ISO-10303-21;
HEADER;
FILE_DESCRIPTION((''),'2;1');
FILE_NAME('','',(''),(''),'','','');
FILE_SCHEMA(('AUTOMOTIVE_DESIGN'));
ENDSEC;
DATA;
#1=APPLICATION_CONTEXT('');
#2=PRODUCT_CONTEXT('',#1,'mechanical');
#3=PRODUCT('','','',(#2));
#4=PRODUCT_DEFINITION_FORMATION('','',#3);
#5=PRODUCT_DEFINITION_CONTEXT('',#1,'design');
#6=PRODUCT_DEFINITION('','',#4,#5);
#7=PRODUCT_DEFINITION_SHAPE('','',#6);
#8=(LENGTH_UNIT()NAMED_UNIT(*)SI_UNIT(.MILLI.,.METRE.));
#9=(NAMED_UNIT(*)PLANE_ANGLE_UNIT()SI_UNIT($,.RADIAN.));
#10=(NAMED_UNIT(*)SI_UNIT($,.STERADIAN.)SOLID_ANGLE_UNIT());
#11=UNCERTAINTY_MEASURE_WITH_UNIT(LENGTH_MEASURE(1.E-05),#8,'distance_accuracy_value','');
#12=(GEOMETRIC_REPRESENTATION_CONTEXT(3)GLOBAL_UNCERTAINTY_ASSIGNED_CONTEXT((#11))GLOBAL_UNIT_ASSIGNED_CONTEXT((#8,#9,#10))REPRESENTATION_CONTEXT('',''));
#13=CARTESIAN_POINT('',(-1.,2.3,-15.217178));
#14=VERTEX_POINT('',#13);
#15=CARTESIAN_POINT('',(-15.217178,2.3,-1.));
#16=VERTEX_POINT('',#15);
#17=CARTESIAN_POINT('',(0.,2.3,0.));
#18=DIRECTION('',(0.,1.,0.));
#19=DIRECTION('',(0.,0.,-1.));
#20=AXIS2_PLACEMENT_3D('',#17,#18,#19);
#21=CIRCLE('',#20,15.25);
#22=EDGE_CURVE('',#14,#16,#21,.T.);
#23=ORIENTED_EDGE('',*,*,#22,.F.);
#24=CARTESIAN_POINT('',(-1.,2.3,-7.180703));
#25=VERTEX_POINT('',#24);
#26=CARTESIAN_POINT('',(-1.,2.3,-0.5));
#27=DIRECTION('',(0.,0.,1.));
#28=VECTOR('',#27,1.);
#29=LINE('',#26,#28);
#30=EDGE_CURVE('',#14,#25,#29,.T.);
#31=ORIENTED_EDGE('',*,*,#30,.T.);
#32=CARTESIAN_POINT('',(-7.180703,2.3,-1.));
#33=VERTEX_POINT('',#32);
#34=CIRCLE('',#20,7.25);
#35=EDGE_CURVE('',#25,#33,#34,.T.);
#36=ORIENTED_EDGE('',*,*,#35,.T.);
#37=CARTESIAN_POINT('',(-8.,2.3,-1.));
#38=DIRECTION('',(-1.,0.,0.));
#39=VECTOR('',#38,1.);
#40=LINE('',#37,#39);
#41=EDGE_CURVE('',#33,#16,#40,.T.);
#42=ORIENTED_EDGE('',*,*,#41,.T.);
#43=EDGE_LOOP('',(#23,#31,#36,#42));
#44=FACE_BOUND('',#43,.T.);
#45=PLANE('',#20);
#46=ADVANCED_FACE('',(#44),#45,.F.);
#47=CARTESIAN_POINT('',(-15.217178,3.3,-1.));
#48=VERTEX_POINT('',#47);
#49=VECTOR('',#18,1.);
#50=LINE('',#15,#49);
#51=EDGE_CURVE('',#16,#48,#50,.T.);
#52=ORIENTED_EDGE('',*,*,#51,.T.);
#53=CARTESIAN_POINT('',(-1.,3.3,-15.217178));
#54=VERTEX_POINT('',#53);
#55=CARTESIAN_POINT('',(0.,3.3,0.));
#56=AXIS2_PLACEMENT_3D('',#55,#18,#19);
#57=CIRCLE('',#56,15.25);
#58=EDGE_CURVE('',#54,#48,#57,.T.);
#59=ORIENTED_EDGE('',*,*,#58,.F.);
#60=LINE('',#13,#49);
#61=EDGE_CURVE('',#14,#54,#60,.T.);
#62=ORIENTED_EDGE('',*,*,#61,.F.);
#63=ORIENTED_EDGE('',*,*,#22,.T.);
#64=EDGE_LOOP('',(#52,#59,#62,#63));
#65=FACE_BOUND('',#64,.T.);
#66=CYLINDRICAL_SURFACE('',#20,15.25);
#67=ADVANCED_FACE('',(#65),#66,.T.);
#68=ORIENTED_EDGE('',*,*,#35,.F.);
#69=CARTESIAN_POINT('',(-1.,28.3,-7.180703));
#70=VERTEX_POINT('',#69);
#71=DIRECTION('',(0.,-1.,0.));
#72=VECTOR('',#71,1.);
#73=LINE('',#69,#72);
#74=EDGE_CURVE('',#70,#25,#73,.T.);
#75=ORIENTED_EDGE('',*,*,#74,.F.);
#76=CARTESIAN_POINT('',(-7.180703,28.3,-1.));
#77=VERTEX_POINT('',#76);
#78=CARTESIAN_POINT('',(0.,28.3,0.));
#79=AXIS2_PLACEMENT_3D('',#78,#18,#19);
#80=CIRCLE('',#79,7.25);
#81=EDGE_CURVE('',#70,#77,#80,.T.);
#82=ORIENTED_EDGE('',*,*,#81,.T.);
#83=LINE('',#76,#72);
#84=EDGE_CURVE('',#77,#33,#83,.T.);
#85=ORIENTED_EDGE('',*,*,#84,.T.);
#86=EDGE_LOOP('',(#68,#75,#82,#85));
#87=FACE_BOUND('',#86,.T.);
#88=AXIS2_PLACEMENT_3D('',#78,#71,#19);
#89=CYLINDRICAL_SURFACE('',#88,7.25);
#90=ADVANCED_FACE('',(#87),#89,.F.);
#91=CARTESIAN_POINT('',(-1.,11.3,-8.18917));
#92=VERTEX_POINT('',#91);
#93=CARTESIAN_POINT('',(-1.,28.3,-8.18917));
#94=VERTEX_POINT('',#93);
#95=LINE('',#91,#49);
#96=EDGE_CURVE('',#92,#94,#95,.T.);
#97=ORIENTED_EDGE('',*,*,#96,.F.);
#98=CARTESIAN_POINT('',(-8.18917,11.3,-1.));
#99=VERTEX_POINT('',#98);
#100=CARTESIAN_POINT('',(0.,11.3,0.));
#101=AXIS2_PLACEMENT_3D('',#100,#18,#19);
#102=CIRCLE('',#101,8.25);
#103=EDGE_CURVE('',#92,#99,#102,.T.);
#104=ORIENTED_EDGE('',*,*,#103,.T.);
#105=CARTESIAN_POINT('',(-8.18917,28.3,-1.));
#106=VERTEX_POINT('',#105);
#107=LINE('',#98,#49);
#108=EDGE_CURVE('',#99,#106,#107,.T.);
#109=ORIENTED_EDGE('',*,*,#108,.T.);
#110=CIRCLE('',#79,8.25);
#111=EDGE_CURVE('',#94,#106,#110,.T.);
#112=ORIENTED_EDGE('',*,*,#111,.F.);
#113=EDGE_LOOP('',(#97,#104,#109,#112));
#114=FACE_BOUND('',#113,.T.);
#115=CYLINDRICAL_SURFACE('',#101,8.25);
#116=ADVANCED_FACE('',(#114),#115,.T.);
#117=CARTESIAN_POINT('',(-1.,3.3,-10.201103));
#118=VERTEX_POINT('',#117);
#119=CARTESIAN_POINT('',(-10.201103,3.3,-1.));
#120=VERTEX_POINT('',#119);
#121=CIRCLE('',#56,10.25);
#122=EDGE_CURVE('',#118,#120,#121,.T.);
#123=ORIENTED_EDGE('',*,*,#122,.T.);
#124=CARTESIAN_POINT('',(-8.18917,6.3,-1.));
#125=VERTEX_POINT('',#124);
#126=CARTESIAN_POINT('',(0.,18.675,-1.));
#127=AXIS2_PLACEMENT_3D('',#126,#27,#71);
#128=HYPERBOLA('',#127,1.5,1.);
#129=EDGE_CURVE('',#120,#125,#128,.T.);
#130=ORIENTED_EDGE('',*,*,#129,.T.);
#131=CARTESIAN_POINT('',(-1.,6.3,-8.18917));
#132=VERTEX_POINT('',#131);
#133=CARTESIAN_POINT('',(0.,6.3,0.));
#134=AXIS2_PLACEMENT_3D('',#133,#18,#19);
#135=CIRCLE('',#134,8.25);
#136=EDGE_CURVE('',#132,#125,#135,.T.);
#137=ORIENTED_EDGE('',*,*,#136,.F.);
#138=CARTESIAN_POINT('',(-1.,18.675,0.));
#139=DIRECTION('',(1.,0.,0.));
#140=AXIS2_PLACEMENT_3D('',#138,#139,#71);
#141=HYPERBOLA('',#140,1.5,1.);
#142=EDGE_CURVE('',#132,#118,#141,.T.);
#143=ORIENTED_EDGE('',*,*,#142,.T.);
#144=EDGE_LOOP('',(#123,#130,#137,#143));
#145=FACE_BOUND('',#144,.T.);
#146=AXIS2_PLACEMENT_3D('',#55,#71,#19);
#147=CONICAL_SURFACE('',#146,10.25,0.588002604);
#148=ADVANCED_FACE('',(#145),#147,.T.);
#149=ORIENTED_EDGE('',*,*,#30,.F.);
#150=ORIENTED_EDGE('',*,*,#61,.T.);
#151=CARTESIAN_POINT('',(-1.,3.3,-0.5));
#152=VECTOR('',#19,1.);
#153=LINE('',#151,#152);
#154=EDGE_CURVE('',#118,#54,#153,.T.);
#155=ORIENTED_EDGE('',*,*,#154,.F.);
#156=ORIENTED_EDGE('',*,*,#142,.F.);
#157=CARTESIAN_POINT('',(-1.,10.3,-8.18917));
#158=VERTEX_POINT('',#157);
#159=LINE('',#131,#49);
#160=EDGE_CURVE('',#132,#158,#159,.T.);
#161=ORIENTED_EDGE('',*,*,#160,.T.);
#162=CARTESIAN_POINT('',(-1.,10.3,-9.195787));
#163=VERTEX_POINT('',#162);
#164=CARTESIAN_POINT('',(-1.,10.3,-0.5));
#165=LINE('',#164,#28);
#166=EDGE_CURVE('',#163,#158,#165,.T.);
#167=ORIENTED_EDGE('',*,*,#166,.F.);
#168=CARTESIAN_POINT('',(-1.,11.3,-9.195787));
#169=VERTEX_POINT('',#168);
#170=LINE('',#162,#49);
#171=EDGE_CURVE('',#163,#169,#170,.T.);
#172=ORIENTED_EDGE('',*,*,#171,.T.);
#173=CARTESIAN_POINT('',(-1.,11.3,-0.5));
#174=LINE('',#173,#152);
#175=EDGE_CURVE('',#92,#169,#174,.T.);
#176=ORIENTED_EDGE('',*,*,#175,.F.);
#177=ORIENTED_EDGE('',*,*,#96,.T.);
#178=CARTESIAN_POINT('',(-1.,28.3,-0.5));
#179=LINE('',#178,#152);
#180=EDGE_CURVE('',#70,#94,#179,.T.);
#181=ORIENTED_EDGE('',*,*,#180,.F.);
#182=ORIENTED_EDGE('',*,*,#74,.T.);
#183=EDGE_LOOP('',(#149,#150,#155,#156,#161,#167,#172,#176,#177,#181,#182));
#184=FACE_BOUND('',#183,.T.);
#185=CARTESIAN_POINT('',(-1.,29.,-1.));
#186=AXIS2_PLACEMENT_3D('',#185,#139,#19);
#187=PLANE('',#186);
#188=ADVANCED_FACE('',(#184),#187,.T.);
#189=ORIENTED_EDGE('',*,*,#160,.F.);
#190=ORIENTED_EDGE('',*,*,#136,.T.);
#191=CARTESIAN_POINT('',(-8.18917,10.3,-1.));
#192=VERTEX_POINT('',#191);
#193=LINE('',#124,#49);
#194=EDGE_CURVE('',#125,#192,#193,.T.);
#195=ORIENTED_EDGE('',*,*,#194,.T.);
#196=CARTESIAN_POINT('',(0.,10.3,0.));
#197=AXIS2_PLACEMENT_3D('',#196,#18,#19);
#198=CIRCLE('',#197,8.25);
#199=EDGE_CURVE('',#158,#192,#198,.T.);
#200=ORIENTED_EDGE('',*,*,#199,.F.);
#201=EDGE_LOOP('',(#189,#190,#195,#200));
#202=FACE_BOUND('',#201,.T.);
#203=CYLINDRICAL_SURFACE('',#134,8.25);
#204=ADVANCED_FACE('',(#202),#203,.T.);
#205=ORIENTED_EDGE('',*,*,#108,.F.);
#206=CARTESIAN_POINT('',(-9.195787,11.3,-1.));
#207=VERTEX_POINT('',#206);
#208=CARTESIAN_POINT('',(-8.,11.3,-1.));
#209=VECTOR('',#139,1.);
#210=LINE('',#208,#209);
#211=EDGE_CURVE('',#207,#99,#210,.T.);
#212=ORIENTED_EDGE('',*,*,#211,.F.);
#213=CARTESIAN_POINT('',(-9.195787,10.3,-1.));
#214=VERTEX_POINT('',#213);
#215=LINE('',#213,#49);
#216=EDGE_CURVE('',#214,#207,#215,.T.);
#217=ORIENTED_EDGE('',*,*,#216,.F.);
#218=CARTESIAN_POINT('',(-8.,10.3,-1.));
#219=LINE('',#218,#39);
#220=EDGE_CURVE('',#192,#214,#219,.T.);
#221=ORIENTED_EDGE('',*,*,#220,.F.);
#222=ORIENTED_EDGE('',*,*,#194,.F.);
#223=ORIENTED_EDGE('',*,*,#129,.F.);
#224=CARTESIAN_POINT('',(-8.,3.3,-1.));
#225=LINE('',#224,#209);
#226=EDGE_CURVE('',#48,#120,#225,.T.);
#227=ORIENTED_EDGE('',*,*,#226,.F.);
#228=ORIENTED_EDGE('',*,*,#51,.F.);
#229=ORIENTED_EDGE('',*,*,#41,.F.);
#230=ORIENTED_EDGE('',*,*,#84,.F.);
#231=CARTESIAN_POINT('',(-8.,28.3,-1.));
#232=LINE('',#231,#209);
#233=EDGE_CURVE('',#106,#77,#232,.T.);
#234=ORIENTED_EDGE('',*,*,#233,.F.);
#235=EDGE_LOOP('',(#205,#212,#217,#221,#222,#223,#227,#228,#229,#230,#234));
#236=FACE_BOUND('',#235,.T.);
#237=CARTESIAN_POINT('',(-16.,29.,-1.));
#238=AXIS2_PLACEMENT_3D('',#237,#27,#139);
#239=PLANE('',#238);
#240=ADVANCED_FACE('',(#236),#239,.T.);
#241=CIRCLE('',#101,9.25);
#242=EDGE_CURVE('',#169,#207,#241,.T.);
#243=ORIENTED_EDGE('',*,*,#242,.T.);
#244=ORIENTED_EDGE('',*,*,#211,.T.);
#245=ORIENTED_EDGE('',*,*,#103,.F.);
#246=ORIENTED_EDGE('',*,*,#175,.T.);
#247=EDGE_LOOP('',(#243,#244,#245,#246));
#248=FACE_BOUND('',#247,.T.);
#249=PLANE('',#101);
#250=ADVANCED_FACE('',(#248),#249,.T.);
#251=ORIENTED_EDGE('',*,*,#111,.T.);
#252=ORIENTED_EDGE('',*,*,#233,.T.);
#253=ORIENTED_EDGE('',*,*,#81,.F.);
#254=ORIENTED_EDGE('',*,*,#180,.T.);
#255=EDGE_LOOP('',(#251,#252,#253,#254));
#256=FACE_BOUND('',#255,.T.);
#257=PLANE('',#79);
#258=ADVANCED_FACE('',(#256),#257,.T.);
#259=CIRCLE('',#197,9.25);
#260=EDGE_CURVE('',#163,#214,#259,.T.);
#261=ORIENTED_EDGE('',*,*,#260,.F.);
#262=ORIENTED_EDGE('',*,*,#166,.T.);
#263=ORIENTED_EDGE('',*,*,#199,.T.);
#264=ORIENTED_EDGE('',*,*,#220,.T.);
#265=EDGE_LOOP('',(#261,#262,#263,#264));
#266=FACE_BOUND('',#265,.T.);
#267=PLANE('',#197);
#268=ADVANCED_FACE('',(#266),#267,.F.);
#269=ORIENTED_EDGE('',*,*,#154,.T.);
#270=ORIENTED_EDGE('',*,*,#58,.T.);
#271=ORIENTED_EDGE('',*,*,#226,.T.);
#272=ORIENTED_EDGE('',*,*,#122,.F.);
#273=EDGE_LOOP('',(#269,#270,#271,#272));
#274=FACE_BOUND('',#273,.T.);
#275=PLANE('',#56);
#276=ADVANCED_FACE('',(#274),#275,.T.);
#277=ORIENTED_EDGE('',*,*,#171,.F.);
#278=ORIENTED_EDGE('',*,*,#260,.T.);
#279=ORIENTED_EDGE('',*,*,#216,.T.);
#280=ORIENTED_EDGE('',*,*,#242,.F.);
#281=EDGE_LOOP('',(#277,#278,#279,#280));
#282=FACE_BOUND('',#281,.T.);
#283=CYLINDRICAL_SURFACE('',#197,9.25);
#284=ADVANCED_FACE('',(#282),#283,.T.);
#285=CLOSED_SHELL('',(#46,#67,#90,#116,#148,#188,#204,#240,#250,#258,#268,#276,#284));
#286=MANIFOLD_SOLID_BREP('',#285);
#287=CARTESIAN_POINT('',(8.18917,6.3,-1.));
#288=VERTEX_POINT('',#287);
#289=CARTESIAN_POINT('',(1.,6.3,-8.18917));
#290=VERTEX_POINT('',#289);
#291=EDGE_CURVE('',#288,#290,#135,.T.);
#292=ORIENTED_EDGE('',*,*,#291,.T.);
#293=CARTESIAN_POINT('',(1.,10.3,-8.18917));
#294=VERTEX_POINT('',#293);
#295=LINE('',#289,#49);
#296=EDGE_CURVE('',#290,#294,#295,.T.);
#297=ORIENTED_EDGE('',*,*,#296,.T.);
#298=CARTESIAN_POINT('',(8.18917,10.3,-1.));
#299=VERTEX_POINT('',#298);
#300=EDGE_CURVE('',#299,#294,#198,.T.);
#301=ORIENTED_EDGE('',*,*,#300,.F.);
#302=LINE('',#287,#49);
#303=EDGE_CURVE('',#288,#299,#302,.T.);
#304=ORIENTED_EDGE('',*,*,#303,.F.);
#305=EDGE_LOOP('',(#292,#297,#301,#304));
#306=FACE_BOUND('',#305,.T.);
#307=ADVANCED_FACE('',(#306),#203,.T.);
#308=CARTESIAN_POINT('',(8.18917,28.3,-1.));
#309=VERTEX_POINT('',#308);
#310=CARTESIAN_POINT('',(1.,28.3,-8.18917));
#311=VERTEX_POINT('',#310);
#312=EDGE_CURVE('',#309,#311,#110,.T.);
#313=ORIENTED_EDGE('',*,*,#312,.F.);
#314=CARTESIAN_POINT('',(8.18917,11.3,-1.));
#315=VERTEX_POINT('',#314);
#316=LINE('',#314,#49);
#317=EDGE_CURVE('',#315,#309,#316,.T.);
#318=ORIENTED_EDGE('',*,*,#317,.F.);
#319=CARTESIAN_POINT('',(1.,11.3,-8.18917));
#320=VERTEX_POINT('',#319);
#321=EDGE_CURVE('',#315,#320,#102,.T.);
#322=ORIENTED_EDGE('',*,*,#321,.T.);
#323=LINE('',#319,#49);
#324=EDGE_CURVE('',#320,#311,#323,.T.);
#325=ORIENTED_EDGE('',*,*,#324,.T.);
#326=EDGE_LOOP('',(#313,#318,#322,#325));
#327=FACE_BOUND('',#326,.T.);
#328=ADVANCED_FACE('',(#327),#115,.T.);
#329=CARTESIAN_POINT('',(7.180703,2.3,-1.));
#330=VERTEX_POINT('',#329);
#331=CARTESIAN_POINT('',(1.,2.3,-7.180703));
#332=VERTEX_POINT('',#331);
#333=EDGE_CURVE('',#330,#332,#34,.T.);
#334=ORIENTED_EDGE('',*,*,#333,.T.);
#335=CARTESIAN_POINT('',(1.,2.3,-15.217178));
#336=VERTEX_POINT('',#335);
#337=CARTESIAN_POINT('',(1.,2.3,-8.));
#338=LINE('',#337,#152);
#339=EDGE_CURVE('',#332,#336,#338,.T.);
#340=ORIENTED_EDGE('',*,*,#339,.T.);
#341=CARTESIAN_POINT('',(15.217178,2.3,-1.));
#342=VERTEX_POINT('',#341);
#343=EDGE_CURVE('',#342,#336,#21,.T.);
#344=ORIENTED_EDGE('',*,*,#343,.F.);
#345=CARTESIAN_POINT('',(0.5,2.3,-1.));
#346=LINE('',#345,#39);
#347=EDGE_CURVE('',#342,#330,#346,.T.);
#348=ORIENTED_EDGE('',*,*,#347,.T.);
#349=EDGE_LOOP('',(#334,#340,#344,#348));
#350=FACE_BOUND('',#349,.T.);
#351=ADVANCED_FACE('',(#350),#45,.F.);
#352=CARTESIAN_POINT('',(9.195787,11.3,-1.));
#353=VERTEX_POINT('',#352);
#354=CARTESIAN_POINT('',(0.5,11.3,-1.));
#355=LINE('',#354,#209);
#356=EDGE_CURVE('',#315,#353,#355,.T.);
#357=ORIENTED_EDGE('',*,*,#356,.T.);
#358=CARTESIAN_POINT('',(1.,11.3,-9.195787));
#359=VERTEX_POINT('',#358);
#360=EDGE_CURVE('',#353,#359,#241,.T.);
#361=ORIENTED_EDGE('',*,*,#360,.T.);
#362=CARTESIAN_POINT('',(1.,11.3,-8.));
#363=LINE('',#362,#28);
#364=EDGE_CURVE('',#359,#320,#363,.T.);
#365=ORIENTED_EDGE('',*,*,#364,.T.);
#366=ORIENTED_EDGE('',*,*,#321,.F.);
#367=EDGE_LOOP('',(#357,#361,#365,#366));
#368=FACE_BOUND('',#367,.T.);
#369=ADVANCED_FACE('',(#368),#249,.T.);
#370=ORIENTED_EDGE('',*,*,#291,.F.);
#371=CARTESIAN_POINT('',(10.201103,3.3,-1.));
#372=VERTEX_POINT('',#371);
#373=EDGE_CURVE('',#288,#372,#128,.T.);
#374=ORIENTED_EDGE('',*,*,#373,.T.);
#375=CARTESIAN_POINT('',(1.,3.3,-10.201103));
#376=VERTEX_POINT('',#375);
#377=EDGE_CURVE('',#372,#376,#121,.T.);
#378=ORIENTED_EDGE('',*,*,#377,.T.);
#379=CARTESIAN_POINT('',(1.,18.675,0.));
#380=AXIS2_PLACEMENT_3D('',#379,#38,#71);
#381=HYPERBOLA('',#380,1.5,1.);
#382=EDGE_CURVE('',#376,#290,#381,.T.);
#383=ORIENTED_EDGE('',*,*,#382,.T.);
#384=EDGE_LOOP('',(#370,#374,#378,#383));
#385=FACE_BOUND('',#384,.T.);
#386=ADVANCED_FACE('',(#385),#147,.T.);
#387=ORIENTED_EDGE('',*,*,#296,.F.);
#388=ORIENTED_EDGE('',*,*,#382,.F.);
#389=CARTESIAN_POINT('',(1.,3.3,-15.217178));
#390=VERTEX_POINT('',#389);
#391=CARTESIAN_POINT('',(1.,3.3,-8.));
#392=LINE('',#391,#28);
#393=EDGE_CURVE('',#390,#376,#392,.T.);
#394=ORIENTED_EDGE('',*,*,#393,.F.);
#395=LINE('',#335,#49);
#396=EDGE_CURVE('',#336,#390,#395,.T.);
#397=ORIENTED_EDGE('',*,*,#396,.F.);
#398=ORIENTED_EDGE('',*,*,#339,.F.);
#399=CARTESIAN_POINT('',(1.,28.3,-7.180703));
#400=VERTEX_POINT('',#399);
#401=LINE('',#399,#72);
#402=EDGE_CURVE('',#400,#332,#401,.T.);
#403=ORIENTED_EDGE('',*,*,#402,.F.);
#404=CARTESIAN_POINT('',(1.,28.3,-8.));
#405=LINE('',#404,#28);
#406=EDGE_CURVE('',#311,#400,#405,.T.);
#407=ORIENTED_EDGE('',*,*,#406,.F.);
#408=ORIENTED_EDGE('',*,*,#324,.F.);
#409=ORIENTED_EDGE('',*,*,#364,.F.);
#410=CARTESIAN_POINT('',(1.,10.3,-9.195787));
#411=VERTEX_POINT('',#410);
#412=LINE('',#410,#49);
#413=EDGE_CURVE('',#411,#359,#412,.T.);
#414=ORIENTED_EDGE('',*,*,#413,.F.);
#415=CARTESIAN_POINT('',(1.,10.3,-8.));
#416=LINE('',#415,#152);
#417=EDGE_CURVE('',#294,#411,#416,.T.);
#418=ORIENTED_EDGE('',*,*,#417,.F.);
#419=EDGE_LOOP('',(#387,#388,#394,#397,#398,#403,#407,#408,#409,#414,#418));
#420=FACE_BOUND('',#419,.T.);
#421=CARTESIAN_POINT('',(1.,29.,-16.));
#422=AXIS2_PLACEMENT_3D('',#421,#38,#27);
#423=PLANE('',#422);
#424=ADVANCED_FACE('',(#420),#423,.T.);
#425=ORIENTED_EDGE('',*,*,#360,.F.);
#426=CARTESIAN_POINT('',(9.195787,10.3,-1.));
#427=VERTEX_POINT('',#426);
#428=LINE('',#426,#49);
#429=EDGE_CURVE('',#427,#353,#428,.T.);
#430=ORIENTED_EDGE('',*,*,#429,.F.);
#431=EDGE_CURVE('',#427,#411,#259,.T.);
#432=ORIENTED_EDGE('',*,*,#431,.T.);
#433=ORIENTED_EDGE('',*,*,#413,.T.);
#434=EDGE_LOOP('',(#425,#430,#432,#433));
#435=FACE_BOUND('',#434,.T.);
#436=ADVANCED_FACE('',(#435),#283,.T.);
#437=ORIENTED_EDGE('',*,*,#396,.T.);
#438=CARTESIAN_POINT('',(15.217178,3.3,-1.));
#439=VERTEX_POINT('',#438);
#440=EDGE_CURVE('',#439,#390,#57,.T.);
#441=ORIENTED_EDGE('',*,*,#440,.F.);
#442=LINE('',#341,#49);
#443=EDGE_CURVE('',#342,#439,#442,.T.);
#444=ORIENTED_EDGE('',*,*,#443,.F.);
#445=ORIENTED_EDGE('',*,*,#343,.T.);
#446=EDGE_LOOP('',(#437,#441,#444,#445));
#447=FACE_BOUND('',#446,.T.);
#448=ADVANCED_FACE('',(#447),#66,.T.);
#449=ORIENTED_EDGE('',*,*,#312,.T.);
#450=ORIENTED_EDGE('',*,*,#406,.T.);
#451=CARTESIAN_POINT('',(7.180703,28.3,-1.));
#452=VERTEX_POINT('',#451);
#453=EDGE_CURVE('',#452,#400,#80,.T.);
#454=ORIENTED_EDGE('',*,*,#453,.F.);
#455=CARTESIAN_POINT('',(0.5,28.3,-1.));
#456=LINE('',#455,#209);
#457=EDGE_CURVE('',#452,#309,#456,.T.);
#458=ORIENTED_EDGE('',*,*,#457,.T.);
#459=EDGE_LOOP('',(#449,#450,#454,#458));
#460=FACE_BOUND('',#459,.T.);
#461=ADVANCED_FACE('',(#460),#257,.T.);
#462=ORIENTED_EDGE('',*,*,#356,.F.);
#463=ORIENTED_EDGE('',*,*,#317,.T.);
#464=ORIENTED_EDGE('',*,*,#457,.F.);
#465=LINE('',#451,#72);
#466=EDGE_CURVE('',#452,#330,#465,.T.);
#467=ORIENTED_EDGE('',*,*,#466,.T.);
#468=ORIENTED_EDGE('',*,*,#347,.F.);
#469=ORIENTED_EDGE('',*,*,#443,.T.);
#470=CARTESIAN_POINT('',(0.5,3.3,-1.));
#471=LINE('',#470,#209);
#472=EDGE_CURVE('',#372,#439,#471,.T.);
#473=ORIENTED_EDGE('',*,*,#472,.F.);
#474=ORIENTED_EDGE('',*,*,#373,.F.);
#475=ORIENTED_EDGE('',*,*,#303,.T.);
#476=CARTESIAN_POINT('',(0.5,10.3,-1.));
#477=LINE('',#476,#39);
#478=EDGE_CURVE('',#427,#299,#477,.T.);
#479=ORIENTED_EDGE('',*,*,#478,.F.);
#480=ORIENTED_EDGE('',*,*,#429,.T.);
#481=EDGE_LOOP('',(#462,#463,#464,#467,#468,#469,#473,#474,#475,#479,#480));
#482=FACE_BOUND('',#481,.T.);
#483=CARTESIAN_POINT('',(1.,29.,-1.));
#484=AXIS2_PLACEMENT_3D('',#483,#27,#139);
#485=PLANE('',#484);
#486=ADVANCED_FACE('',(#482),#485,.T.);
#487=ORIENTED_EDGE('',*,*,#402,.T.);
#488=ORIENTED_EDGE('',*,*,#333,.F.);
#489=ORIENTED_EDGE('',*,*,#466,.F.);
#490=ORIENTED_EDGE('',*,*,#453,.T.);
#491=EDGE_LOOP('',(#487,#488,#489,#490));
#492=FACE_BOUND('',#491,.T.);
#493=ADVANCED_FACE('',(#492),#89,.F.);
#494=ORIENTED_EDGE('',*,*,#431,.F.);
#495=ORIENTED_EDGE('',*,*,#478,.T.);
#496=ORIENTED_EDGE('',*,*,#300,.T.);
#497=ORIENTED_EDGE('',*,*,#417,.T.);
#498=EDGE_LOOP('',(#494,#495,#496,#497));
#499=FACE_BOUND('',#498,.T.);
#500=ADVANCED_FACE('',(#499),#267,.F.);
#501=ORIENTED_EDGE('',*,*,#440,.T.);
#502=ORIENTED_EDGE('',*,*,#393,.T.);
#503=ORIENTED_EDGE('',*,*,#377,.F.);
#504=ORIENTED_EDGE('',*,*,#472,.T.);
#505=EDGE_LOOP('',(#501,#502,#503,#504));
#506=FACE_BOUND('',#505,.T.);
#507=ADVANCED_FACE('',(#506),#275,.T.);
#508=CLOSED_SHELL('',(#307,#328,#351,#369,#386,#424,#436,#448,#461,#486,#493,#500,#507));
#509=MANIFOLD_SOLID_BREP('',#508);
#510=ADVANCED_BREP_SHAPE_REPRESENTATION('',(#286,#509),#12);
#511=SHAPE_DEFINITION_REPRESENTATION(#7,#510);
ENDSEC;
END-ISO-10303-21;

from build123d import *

# Parameters (mm, degrees)
EXTRUDE012_DEPTH = 30


with BuildPart() as extrude012:
    # Sketch016 → Extrude012 (new body)
    with BuildSketch(Plane(origin=(0, 29, 0), x_dir=(-1, 0, 0), z_dir=(0, 1, 0))):
        Polygon((-16, 16), (16, 16), (16, -1), (1, -1), (1, -16), (-1, -16), (-1, -1), (-16, -1), align=None)
    extrude(amount=-EXTRUDE012_DEPTH)


with BuildPart() as cf_clamp:
    # Sketch015 → Revolve (revolve)
    with BuildSketch(Plane(origin=(0, 0, 0), x_dir=(0, -1, 0), z_dir=(-1, 0, 0))):
        Polygon((-28.3, -7.25), (-2.3, -7.25), (-2.3, -15.25), (-3.3, -15.25), (-3.3, -10.25), (-6.3, -8.25), (-10.3, -8.25), (-10.3, -9.25), (-11.3, -9.25), (-11.3, -8.25), (-28.3, -8.25), align=None)
    revolve(axis=Axis((0, 0, 0), (0, 1, 0)))

    # Cut005: cut Extrude012
    add(extrude012.part, mode=Mode.SUBTRACT)


solid = cf_clamp.part
